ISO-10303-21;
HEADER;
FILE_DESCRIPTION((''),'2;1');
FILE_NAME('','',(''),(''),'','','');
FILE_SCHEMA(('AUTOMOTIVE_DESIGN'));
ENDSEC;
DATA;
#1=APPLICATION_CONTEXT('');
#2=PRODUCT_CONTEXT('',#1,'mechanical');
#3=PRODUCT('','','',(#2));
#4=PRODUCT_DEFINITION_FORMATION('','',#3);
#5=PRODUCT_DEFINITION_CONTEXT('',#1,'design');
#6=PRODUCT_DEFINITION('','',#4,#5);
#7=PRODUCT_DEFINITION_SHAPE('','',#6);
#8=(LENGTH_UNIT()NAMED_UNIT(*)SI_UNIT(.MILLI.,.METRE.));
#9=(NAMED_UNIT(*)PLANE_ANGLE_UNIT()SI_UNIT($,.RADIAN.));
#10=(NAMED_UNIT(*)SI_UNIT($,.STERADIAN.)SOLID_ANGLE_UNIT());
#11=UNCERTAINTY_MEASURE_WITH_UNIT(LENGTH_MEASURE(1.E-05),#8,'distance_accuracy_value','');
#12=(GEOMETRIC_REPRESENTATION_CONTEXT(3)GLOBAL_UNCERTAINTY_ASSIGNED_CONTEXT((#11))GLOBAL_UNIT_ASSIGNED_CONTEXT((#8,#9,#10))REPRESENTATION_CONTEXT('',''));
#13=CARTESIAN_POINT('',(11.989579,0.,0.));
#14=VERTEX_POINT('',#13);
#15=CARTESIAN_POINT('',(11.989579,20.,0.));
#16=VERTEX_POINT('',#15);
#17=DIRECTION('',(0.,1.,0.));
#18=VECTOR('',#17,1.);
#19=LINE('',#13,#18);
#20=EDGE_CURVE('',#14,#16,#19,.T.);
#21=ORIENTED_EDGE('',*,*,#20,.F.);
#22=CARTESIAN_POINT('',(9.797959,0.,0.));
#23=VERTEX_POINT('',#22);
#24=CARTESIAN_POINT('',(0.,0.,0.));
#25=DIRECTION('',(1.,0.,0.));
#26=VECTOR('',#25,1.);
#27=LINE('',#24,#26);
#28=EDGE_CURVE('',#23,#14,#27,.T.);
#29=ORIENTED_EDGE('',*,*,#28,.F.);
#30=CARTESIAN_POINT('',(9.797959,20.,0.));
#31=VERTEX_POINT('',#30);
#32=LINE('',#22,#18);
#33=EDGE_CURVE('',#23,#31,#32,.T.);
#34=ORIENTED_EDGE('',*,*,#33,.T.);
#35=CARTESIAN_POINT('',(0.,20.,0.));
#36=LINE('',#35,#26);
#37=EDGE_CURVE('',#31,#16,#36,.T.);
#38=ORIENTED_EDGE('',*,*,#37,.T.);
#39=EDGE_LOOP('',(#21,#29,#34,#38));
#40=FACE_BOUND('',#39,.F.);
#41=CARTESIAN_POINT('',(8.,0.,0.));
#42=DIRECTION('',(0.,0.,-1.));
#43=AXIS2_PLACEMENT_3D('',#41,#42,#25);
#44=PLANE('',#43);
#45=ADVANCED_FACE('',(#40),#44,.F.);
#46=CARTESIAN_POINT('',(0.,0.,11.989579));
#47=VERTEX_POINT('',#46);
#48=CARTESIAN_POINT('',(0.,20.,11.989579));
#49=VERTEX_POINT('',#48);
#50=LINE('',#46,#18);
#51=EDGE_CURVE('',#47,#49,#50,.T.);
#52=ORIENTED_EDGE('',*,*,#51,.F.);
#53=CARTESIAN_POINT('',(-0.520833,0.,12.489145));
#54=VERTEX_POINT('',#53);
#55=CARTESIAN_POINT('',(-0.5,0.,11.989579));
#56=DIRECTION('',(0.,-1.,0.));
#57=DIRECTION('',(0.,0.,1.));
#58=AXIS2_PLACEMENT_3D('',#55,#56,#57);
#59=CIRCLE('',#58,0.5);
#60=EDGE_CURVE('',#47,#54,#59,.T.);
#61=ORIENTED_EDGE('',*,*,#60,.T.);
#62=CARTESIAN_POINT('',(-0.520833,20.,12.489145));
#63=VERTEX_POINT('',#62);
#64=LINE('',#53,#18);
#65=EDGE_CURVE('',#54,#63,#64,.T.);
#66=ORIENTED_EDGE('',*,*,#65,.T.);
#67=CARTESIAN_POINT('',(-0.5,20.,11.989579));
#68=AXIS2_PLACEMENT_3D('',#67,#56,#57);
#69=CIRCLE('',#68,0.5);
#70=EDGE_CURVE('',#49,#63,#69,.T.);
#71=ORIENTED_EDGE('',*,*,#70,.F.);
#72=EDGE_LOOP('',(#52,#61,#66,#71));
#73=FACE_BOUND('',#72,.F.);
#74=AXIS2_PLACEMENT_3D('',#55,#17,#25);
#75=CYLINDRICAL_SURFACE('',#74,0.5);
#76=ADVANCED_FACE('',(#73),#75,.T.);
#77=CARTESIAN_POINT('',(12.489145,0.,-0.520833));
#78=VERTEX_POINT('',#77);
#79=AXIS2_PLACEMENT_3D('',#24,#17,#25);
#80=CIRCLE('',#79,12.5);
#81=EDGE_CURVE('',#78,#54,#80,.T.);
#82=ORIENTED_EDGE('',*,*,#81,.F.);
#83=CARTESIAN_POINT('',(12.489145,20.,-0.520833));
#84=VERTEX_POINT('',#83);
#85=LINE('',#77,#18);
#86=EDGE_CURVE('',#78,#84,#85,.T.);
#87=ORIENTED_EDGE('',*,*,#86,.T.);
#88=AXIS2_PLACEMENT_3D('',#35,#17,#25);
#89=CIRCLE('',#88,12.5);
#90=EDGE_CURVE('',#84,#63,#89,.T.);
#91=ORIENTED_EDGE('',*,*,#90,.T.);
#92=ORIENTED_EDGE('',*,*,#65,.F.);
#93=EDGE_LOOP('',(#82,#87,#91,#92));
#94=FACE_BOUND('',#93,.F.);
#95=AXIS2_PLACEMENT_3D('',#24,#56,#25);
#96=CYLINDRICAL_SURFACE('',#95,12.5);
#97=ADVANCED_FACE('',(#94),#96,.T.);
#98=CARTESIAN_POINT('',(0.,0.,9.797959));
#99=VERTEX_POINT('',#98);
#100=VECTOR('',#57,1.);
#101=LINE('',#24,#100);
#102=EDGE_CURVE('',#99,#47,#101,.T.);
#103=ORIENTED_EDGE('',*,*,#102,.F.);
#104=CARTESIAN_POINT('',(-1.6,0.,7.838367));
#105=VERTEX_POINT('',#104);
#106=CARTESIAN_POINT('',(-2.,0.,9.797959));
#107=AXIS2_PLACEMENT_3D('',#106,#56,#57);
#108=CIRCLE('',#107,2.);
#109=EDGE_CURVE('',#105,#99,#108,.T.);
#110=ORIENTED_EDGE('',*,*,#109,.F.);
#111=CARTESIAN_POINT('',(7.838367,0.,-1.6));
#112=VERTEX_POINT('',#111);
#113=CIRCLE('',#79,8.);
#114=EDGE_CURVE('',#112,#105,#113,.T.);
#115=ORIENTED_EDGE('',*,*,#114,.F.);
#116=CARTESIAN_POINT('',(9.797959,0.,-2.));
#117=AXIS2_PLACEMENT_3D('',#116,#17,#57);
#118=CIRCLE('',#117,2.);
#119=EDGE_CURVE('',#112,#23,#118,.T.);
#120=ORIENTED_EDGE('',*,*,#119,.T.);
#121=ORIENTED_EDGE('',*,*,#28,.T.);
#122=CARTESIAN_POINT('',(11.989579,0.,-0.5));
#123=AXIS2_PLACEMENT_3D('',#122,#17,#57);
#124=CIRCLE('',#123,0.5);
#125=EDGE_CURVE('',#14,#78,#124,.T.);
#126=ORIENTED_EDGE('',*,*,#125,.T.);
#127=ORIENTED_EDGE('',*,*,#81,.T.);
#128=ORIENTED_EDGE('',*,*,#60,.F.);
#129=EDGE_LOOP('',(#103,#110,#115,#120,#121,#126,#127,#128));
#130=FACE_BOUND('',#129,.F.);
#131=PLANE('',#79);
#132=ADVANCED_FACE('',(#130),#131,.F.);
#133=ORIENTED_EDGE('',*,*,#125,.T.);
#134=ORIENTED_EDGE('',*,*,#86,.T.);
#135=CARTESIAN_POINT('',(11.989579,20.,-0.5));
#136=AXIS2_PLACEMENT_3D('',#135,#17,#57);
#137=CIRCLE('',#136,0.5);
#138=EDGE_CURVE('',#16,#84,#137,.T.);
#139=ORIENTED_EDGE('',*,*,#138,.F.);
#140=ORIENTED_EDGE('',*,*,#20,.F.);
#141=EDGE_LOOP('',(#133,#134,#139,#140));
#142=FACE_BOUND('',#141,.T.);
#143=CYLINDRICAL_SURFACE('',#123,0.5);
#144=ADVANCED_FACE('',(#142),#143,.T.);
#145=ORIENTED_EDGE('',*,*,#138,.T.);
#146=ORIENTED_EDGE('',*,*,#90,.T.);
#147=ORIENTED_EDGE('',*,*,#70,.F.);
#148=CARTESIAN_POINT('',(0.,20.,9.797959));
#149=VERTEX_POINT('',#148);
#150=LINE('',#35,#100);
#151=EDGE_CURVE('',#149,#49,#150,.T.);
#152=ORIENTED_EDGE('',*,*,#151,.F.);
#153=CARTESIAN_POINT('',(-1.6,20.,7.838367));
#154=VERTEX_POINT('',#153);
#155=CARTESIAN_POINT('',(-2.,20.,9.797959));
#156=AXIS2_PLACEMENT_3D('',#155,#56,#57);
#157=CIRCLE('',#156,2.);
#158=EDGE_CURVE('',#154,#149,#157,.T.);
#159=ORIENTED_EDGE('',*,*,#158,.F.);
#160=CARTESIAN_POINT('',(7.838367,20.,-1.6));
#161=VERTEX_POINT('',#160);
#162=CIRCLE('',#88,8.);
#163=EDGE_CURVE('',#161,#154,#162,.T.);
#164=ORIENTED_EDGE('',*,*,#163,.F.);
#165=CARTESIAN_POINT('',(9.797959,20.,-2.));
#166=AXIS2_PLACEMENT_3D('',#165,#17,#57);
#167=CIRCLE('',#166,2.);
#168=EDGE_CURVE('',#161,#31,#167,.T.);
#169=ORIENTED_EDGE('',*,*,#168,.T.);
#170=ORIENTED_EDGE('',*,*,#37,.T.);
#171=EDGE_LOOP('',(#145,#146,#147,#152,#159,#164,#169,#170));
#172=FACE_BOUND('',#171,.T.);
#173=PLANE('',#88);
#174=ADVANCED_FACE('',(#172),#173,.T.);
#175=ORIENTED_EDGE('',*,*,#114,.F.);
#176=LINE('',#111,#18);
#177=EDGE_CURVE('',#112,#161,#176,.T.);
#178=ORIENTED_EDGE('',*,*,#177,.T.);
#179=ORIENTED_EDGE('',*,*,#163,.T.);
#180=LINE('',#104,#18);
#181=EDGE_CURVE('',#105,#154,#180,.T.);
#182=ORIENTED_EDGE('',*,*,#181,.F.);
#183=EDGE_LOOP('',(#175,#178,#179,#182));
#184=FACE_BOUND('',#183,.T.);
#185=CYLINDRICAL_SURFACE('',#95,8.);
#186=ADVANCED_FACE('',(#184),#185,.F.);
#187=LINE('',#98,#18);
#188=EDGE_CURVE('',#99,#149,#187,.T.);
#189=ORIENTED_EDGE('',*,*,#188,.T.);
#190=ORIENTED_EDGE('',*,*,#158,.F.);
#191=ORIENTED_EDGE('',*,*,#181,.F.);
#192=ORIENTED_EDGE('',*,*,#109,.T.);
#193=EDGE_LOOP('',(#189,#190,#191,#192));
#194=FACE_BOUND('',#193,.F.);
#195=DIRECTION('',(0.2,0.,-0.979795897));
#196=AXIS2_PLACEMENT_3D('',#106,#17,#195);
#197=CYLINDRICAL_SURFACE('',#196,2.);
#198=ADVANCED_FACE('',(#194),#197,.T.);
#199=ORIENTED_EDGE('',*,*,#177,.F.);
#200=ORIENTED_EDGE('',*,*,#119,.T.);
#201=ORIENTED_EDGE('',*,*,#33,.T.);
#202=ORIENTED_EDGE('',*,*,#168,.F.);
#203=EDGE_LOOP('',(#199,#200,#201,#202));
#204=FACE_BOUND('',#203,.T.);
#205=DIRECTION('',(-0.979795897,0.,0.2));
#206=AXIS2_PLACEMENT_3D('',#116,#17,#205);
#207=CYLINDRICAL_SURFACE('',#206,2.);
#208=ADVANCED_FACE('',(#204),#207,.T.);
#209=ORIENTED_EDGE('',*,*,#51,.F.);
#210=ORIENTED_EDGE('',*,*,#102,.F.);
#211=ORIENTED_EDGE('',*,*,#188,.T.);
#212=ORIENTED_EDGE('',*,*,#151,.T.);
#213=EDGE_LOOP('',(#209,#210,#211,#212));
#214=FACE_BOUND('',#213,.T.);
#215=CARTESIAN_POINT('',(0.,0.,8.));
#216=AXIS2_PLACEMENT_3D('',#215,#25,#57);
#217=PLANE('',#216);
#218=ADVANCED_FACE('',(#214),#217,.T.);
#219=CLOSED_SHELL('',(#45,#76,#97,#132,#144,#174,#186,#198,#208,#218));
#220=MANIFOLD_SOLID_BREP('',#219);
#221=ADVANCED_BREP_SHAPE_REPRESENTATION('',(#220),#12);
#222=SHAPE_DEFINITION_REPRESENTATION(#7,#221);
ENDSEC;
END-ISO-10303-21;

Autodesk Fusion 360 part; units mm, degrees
sketch "Sketch1" plane through (0, 0, 0) normal (0, 1, 0) x (1, 0, 0)
  circle A0 centre (0, 0) radius 8
  circle A1 centre (0, 0) radius 12.5
  line L0 (0, 0) -> (12.5, 0)
  line L1 (0, 0) -> (0, -12.5)
  dimension "d1" = 16
  dimension "d2" = 25
extrude "Extrude1" add sketch "Sketch1" along normal blind 20 contours A0 A1 L0 L1 picked at (-5.2365, -9.6417)
fillet "Fillet1" radius 2 2 edges at (8, 10, 0) (0, 10, 8)
fillet "Fillet2" radius 0.5 2 edges at (0, 10, 12.5) (12.5, 10, 0)
